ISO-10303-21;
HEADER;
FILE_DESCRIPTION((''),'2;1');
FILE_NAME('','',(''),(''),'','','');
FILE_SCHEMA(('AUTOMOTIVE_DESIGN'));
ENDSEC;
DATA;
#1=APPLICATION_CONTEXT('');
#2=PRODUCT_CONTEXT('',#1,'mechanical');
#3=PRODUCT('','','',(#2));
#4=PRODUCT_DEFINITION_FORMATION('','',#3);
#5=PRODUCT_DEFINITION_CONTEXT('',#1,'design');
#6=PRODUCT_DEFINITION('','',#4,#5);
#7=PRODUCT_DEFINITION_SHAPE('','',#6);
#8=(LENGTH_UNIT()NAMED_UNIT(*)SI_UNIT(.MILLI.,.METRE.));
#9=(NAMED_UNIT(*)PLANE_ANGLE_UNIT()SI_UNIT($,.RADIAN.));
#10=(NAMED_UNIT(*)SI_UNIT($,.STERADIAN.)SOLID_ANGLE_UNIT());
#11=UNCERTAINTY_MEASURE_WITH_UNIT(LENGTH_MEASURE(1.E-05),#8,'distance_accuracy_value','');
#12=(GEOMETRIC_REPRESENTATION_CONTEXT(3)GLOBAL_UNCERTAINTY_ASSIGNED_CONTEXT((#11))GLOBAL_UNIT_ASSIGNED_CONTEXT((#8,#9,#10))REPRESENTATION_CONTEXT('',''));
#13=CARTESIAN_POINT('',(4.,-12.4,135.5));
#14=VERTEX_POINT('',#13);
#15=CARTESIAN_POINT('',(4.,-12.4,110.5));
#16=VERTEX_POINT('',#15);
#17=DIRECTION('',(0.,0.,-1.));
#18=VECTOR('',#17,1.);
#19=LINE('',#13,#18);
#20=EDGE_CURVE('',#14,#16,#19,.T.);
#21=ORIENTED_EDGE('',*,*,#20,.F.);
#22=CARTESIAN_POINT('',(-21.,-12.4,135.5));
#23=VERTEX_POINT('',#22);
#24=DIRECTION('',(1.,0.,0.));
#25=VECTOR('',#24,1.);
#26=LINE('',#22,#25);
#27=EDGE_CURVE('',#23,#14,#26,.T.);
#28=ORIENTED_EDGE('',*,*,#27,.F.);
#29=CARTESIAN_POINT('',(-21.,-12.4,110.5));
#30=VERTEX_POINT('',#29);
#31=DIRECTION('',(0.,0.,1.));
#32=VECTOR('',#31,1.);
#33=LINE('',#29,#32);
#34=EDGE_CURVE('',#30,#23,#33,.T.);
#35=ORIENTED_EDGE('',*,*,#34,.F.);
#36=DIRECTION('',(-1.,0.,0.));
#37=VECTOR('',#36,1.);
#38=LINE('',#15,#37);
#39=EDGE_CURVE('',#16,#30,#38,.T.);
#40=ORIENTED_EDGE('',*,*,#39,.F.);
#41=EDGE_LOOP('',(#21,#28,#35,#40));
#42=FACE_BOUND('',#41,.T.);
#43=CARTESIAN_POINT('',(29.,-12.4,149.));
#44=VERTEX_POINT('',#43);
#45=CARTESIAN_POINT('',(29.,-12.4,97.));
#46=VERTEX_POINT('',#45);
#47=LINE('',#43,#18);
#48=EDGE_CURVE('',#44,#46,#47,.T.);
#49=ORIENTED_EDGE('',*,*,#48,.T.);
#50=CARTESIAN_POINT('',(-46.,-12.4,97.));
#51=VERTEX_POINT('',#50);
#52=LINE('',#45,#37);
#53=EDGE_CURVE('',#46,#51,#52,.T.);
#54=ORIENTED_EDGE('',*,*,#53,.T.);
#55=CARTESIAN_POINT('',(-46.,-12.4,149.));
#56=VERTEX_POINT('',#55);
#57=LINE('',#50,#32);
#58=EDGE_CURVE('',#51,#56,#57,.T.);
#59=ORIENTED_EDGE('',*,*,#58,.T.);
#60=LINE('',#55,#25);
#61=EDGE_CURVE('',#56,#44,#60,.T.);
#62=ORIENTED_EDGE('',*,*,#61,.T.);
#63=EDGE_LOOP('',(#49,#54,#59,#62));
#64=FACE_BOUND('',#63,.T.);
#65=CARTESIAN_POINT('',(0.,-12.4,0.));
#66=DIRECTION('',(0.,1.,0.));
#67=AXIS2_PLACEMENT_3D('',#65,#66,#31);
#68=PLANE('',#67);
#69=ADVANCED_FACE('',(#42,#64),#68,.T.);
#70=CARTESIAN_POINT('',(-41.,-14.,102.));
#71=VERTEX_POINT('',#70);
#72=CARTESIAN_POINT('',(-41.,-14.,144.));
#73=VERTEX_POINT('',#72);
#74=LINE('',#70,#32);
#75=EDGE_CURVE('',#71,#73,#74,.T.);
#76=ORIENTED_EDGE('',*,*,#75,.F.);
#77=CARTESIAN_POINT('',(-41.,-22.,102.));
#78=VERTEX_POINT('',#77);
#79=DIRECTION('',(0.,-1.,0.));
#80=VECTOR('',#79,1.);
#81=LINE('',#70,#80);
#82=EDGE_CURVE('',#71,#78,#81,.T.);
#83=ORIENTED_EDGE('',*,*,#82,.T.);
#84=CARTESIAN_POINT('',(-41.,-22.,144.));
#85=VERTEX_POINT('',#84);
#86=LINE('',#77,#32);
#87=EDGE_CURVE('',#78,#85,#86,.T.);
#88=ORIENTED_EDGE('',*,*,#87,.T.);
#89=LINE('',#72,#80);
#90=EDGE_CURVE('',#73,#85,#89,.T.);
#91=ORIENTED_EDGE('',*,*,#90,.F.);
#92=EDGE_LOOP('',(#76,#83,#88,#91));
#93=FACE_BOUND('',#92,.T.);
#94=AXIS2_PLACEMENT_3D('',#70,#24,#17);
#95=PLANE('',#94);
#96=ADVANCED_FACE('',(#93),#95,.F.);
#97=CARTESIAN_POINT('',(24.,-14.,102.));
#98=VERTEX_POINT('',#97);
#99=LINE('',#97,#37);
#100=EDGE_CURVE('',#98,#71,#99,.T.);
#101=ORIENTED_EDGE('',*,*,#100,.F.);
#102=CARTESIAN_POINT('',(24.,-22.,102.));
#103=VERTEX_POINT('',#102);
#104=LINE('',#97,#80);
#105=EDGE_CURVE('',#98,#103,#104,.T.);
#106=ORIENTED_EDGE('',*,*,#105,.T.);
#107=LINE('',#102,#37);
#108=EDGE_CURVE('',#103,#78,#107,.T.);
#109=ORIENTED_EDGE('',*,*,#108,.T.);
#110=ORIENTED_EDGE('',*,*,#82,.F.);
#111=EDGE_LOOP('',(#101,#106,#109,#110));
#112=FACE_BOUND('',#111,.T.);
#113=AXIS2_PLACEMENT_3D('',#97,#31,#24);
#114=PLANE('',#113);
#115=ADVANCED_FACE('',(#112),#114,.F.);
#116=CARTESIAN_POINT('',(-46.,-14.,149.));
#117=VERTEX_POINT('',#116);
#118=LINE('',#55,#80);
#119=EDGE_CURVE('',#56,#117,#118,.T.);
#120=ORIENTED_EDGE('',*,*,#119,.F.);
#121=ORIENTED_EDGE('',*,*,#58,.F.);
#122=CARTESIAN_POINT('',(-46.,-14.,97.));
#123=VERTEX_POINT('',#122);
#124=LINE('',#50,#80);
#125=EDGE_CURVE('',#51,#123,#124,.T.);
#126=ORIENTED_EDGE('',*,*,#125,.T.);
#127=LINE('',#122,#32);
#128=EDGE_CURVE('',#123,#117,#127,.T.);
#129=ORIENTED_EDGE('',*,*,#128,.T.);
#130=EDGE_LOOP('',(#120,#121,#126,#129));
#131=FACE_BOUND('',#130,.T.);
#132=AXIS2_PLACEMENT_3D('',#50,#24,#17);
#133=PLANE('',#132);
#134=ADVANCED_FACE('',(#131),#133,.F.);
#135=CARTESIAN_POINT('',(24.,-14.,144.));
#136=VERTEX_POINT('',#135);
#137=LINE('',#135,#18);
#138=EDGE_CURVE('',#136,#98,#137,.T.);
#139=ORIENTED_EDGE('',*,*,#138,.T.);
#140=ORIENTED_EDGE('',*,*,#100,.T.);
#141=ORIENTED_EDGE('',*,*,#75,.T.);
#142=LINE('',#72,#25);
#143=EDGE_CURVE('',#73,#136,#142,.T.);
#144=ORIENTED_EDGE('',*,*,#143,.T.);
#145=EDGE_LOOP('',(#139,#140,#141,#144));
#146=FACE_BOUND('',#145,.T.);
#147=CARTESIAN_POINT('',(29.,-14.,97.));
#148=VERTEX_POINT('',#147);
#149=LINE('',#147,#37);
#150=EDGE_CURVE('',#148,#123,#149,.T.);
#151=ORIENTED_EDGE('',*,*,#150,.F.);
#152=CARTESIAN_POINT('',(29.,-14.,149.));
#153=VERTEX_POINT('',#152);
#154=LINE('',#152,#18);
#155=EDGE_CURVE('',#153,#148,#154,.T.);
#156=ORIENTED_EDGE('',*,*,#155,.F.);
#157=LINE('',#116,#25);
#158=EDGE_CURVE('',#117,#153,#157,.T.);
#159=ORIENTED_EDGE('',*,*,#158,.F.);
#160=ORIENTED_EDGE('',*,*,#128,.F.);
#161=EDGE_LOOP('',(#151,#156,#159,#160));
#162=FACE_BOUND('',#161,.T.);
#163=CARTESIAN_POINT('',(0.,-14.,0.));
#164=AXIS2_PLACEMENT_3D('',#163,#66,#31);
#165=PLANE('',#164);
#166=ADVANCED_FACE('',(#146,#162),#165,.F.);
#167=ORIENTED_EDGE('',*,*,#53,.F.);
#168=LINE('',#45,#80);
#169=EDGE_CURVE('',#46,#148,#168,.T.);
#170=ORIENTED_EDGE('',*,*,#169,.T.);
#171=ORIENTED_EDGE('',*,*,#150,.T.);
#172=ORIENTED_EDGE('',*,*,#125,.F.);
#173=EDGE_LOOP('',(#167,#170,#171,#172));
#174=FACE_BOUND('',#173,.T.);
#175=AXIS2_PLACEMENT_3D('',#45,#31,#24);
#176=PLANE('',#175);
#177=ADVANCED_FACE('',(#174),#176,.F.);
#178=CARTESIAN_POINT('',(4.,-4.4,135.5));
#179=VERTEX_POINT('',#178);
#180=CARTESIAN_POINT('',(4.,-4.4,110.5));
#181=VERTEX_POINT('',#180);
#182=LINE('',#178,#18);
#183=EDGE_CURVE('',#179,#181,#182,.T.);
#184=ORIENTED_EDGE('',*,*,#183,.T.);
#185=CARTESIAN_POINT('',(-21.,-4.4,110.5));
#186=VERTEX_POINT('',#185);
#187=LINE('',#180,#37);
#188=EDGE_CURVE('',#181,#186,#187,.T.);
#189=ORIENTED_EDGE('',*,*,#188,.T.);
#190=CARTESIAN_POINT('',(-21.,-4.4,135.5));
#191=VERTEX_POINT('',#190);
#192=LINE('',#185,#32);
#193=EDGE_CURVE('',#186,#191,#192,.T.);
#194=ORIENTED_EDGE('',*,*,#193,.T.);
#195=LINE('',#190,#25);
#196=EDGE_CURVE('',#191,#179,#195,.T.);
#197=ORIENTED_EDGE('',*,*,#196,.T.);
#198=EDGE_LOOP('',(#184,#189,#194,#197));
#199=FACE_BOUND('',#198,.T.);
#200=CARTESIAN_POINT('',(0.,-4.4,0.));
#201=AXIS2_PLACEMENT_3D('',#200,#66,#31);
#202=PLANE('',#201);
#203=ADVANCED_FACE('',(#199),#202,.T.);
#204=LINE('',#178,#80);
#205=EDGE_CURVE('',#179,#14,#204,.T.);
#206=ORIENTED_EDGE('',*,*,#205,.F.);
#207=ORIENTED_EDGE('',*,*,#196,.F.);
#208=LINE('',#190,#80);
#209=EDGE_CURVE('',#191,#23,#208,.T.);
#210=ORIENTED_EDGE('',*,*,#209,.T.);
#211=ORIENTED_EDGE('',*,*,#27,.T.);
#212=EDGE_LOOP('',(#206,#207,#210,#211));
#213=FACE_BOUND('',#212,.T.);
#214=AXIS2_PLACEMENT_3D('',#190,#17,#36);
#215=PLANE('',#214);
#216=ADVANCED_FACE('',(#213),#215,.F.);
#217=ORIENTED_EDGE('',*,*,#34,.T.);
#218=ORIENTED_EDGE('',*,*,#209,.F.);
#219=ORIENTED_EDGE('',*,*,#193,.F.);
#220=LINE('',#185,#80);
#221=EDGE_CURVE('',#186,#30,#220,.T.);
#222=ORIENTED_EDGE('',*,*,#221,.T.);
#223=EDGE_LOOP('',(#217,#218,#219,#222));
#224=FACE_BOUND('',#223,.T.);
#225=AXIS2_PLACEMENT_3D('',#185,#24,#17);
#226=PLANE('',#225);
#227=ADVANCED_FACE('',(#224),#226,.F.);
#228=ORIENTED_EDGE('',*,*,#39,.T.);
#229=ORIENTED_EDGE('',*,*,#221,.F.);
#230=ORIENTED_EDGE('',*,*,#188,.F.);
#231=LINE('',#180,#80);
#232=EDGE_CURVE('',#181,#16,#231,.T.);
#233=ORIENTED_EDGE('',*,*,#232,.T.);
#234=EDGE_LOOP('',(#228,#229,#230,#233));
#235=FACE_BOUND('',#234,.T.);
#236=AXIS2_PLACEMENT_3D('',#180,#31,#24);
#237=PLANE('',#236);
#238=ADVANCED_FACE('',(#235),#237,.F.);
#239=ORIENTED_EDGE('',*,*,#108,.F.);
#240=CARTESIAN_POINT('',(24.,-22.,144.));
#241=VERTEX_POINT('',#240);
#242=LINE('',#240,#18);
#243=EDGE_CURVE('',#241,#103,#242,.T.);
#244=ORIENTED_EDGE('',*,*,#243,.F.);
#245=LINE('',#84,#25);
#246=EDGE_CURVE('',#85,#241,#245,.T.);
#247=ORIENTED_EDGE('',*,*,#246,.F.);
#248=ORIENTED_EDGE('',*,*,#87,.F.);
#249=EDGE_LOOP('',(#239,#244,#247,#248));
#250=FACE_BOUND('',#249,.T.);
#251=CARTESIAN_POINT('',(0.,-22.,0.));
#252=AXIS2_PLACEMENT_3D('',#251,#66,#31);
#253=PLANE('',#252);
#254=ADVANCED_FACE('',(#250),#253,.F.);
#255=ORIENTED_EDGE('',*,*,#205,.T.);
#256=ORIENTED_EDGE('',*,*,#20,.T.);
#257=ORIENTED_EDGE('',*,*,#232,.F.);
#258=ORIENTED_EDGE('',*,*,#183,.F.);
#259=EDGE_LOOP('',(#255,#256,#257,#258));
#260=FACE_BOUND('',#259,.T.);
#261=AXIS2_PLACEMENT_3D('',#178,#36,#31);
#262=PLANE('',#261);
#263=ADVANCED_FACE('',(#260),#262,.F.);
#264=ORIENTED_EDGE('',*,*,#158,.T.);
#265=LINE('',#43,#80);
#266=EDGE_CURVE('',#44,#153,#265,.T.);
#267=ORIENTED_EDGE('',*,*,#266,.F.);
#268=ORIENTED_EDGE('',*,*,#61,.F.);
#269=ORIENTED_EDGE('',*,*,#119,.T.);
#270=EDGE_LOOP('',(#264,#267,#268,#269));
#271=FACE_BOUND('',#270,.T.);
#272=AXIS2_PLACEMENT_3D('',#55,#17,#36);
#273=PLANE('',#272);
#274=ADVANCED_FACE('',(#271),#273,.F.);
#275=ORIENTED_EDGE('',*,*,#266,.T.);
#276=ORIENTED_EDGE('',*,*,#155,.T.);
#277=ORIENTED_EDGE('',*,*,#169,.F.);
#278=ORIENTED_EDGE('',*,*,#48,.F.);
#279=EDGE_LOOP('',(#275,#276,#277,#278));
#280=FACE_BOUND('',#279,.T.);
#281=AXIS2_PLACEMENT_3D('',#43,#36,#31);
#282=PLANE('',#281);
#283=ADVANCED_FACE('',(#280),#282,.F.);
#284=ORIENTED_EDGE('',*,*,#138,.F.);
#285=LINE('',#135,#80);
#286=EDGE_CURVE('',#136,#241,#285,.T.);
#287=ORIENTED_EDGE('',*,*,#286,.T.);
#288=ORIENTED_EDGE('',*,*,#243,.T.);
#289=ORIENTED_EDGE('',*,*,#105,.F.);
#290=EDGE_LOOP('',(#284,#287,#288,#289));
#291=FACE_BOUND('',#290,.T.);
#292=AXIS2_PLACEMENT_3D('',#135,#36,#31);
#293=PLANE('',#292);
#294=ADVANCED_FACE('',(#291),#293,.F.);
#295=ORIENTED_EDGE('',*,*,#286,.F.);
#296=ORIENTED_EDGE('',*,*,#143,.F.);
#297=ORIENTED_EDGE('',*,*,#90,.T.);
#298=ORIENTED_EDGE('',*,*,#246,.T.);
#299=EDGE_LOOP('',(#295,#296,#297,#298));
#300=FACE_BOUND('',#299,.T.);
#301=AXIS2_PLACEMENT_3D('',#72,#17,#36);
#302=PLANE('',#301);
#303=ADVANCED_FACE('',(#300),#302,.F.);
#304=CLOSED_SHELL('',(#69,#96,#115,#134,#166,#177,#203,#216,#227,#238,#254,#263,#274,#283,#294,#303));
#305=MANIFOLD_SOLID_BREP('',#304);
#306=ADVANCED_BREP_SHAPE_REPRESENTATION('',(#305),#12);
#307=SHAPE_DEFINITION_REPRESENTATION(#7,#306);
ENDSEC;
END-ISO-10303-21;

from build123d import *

# Parameters (mm, degrees)
SKETCH1_W        = 75
SKETCH1_H        = 52
ESP32_PCB_DEPTH  = 1.6
SKETCH2_W        = 25
SKETCH2_H        = 25
GNSS_PATCH_DEPTH = 8
SKETCH3_W        = 65
SKETCH3_H        = 42
LIPO_DEPTH       = 8


with BuildPart() as part:
    # Sketch1 → ESP32 PCB (new body)
    with BuildSketch(Plane(origin=(0, -14, 0), x_dir=(1, 0, 0), z_dir=(0, 1, 0))):
        with Locations((-8.5, -123)):
            Rectangle(SKETCH1_W, SKETCH1_H)
    extrude(amount=ESP32_PCB_DEPTH)

    # Sketch2 → GNSS Patch (add)
    with BuildSketch(Plane(origin=(0, -12.4, 0), x_dir=(1, 0, 0), z_dir=(0, 1, 0))):
        with Locations((-8.5, -123)):
            Rectangle(SKETCH2_W, SKETCH2_H)
    extrude(amount=GNSS_PATCH_DEPTH)

    # Sketch3 → LiPo (add)
    with BuildSketch(Plane(origin=(0, -22, 0), x_dir=(1, 0, 0), z_dir=(0, 1, 0))):
        with Locations((-8.5, -123)):
            Rectangle(SKETCH3_W, SKETCH3_H)
    extrude(amount=LIPO_DEPTH)


solid = part.part
